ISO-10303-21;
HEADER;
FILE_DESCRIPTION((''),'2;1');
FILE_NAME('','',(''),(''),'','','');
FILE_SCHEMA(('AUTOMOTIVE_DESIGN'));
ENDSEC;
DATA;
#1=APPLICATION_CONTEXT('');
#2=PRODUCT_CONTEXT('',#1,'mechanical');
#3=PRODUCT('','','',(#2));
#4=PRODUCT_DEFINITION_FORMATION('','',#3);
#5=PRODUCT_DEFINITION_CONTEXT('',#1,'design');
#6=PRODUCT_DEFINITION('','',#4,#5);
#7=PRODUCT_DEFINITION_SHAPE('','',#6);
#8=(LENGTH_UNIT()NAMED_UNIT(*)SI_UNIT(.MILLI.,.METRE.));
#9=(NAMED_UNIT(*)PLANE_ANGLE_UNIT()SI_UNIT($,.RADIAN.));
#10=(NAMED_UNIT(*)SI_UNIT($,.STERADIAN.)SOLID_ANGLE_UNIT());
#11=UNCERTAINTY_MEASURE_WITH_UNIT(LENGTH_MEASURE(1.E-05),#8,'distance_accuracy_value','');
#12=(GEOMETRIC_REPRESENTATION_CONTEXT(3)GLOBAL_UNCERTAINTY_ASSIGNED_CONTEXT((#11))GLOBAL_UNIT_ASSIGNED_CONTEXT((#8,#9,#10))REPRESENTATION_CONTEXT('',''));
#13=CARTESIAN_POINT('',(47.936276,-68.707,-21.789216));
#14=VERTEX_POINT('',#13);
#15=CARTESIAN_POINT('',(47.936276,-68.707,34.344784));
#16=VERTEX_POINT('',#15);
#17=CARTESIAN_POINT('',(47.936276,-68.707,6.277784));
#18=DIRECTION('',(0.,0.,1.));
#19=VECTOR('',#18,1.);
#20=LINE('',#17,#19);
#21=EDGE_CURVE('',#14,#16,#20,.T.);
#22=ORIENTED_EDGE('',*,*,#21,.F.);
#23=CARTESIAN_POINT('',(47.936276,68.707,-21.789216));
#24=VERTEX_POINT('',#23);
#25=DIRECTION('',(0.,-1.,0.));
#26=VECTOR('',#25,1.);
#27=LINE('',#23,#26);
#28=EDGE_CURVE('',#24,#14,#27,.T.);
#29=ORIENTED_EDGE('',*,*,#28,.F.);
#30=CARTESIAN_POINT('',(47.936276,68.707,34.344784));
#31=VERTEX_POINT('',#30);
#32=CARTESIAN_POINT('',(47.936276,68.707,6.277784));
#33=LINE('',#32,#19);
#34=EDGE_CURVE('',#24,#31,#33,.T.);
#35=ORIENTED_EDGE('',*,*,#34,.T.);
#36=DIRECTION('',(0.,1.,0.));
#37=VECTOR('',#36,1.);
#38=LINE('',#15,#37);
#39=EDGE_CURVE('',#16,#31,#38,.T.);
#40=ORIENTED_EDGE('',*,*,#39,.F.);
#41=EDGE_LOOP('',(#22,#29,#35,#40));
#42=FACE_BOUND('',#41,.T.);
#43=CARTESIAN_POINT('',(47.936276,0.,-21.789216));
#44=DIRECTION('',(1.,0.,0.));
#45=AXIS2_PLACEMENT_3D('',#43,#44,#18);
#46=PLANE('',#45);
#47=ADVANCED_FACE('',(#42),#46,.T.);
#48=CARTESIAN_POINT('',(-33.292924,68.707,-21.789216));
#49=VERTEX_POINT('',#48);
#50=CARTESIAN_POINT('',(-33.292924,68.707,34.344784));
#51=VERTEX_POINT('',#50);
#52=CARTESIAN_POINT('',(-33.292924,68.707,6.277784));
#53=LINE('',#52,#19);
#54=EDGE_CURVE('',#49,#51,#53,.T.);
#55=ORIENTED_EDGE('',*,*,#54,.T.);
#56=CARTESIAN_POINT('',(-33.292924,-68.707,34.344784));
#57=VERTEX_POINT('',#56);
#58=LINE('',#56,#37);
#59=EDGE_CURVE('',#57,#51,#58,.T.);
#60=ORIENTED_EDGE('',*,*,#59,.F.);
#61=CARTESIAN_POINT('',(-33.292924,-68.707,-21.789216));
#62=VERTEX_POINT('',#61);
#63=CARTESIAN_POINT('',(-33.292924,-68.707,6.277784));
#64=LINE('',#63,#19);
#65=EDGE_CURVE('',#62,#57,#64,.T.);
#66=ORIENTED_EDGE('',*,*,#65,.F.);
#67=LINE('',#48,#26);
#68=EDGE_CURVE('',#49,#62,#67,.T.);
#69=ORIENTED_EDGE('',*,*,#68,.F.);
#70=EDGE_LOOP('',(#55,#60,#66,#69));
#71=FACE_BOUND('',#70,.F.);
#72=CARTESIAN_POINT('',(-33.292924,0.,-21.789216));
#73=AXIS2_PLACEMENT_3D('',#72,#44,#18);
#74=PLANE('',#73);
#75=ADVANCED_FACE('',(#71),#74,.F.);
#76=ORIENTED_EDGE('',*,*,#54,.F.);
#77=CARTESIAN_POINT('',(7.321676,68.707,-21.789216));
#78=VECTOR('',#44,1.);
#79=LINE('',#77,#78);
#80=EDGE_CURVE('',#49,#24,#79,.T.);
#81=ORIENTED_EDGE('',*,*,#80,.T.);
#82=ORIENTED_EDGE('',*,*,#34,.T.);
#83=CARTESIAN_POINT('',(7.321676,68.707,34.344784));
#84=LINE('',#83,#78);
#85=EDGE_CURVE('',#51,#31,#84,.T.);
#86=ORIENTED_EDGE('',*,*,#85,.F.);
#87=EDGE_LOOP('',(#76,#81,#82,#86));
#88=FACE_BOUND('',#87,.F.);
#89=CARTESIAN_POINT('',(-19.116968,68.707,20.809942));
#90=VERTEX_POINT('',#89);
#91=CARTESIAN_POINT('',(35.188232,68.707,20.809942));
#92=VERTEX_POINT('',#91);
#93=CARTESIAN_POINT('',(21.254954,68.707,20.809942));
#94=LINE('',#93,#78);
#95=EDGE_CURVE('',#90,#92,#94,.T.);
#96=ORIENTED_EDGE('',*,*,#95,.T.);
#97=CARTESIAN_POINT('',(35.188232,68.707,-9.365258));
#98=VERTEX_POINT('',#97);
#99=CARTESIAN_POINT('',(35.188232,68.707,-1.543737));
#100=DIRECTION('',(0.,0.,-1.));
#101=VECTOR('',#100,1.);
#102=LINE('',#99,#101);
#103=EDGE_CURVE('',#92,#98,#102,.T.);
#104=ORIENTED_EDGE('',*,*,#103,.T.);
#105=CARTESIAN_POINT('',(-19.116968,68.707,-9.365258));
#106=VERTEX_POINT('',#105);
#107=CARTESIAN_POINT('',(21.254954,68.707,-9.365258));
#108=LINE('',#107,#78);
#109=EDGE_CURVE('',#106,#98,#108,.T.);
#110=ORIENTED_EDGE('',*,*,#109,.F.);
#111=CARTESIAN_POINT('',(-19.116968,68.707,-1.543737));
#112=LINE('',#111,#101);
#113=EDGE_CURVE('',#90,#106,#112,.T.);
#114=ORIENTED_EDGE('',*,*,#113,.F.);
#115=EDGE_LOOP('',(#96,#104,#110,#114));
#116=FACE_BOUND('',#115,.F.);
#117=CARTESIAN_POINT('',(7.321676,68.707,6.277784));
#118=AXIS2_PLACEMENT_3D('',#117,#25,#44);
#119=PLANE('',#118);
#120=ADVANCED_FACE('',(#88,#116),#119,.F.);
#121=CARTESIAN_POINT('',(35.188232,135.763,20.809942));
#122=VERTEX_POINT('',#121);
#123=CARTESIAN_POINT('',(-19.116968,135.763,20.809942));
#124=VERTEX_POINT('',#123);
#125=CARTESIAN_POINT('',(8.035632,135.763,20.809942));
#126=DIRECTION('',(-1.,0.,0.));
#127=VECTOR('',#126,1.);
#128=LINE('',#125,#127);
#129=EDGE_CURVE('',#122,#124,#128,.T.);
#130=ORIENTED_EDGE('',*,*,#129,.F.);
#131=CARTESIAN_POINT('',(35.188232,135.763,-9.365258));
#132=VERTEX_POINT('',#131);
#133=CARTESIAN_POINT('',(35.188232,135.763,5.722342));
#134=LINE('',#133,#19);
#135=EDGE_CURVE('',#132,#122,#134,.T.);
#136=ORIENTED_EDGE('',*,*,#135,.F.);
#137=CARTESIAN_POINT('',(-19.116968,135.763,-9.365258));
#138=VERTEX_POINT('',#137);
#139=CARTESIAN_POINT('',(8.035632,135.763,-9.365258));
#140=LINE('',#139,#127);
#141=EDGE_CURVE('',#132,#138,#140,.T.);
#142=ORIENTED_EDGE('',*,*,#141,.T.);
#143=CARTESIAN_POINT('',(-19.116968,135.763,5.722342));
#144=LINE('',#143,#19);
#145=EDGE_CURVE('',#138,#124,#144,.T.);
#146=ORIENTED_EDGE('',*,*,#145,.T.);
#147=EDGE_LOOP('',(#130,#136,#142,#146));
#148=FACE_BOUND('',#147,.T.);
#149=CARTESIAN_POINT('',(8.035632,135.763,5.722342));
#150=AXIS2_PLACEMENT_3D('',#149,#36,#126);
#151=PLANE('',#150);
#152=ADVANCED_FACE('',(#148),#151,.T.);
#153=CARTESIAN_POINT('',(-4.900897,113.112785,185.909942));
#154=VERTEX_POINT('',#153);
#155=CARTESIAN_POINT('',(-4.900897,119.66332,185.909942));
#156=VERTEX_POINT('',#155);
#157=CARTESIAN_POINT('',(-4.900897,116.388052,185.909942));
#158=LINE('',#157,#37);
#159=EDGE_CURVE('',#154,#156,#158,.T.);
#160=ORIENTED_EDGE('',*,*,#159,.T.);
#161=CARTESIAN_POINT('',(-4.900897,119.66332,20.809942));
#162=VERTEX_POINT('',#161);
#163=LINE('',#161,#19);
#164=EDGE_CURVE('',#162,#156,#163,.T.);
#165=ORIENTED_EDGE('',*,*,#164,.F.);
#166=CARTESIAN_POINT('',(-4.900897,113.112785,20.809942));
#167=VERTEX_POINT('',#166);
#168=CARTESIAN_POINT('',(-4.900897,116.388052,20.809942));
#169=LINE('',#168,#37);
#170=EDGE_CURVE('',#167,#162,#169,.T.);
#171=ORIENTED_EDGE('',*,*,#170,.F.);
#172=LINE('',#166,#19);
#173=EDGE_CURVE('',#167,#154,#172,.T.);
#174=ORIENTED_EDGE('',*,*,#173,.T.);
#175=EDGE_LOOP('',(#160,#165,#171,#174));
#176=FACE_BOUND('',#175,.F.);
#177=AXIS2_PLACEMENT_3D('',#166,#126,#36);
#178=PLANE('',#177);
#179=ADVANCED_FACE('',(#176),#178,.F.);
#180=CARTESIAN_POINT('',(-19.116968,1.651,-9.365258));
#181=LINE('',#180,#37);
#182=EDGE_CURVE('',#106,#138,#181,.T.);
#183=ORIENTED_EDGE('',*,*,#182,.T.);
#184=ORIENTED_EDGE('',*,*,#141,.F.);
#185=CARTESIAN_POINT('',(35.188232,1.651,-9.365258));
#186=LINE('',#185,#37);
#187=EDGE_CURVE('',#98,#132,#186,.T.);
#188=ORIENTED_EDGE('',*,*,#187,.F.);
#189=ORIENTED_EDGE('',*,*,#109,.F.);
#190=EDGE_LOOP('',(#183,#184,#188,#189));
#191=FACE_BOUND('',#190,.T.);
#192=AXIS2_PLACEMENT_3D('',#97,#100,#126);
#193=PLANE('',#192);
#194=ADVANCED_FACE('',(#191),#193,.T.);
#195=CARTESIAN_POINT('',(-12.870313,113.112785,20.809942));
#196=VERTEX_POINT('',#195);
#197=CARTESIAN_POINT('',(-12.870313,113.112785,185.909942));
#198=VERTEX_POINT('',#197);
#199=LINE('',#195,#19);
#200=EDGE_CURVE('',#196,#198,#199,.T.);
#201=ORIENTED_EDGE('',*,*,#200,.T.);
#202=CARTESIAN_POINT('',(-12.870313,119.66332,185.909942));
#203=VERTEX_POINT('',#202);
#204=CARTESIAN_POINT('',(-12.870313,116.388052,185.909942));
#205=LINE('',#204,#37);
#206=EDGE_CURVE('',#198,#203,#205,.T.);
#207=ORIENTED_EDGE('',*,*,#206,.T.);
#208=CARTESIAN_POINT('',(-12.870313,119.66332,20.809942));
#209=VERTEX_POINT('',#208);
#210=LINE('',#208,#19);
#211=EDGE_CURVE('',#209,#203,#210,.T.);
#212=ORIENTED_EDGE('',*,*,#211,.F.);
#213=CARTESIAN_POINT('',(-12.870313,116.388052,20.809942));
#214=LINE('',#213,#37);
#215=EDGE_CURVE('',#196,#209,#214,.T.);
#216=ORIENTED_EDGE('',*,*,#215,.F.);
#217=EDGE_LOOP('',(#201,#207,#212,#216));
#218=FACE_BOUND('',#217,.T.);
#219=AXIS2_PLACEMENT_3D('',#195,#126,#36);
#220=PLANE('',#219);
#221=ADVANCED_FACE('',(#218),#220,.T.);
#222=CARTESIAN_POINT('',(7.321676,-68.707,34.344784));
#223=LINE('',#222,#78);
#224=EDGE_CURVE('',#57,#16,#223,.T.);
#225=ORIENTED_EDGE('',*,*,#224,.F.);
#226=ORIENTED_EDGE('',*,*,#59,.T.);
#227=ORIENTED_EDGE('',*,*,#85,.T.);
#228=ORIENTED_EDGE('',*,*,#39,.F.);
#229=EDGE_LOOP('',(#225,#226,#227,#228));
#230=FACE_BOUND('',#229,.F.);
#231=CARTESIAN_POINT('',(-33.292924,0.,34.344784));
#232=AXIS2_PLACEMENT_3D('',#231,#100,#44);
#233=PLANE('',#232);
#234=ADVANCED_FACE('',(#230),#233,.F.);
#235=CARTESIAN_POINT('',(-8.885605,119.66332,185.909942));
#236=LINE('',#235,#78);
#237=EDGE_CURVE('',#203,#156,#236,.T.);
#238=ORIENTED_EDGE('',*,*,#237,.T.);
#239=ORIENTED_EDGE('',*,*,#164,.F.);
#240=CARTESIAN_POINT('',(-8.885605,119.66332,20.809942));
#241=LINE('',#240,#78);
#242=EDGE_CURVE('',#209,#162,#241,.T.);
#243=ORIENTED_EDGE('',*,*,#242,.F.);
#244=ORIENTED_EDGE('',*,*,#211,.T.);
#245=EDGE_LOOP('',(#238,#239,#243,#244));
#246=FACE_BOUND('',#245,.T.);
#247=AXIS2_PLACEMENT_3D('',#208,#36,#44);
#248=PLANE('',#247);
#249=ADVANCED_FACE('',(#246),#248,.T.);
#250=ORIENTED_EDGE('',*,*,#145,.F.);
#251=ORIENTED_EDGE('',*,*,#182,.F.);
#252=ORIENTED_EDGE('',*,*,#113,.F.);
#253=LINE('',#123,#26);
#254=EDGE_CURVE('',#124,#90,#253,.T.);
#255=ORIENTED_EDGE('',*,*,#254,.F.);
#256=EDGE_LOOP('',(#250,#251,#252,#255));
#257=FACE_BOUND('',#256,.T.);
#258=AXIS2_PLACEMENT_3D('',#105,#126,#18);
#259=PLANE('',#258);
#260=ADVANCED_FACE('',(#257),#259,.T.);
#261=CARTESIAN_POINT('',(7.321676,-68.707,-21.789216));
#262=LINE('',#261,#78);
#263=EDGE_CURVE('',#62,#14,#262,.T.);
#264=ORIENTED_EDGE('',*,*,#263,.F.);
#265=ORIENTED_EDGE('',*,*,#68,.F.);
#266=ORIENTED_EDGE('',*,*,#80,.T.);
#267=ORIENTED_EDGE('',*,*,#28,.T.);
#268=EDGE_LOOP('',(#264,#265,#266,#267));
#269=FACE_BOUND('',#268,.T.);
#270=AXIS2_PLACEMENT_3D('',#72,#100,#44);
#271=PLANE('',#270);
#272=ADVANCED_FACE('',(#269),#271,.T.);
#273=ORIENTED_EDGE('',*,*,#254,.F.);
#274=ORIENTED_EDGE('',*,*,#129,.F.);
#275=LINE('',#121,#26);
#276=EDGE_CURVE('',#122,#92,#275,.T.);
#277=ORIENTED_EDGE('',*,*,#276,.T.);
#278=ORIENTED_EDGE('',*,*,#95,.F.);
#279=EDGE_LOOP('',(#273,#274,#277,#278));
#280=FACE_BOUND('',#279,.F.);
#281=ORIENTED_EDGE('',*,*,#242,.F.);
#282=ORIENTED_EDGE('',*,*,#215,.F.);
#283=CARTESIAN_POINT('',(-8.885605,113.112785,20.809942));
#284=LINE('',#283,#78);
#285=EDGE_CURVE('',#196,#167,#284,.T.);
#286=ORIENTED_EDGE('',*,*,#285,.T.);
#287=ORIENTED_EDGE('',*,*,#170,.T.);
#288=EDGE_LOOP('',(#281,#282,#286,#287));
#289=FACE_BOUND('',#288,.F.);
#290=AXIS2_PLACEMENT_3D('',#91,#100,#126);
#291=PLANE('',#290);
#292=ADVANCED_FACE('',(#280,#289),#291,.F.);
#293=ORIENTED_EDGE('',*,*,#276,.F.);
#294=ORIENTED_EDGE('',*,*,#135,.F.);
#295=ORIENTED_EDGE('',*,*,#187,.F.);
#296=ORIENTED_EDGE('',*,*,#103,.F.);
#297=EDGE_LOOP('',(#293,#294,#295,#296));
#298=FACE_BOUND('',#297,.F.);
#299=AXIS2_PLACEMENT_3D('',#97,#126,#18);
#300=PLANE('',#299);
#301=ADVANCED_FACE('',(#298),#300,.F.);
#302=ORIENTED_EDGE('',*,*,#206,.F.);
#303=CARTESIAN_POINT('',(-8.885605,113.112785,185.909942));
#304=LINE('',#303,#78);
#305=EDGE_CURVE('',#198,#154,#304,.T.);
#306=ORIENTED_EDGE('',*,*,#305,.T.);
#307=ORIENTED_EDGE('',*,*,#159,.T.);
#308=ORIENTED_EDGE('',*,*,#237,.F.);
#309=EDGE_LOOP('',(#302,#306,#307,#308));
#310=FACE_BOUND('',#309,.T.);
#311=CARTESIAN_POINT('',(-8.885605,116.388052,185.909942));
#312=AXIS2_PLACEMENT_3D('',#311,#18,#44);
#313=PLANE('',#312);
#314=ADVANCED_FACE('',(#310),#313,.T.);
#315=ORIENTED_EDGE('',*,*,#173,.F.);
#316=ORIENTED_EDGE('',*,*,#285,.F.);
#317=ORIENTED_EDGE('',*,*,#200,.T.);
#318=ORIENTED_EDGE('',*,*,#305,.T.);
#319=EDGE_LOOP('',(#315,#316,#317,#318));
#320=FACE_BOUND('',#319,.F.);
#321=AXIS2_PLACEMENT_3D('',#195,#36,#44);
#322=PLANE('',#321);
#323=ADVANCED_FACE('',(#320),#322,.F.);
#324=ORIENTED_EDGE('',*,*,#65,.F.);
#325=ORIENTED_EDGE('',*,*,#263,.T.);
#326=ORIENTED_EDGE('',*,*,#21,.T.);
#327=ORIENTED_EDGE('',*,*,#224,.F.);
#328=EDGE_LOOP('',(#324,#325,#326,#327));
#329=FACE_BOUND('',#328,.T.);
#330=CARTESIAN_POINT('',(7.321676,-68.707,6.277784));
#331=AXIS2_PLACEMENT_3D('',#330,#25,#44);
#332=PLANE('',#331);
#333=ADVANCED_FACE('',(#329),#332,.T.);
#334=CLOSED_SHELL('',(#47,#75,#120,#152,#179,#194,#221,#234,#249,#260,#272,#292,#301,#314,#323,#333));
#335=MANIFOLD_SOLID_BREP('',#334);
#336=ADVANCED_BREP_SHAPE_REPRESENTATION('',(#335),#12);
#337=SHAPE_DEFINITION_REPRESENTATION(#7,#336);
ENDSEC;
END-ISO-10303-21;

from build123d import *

# Parameters (mm, degrees)
F0_W     = 81.2292
F0_H     = 56.134
F1_DEPTH = 68.707
F2_W     = 54.3052
F2_H     = 30.1752
F3_DEPTH = 67.056
F4_W     = 7.969416
F4_H     = 6.550535
F5_DEPTH = 165.1


with BuildPart() as f1:
    # F0 (on Front) → F1 (new body, symmetric)
    with BuildSketch(Plane.XZ):
        with Locations((7.321676, 6.277784)):
            Rectangle(F0_W, F0_H)
    extrude(amount=F1_DEPTH, both=True)

    # F2 (on face) → F3 (join, symmetric)
    with BuildSketch(Plane(origin=(0, 68.707, 0), x_dir=(-1, 0, 0), z_dir=(0, 1, 0))):
        with Locations((-8.035632, 5.722342)):
            Rectangle(F2_W, F2_H)
    extrude(amount=F3_DEPTH, both=True)

    # F4 (on face) → F5 (join)
    with BuildSketch(Plane.XY.offset(20.809942)):
        with Locations((-8.885605, 116.388052)):
            Rectangle(F4_W, F4_H)
    extrude(amount=F5_DEPTH)


solid = f1.part
